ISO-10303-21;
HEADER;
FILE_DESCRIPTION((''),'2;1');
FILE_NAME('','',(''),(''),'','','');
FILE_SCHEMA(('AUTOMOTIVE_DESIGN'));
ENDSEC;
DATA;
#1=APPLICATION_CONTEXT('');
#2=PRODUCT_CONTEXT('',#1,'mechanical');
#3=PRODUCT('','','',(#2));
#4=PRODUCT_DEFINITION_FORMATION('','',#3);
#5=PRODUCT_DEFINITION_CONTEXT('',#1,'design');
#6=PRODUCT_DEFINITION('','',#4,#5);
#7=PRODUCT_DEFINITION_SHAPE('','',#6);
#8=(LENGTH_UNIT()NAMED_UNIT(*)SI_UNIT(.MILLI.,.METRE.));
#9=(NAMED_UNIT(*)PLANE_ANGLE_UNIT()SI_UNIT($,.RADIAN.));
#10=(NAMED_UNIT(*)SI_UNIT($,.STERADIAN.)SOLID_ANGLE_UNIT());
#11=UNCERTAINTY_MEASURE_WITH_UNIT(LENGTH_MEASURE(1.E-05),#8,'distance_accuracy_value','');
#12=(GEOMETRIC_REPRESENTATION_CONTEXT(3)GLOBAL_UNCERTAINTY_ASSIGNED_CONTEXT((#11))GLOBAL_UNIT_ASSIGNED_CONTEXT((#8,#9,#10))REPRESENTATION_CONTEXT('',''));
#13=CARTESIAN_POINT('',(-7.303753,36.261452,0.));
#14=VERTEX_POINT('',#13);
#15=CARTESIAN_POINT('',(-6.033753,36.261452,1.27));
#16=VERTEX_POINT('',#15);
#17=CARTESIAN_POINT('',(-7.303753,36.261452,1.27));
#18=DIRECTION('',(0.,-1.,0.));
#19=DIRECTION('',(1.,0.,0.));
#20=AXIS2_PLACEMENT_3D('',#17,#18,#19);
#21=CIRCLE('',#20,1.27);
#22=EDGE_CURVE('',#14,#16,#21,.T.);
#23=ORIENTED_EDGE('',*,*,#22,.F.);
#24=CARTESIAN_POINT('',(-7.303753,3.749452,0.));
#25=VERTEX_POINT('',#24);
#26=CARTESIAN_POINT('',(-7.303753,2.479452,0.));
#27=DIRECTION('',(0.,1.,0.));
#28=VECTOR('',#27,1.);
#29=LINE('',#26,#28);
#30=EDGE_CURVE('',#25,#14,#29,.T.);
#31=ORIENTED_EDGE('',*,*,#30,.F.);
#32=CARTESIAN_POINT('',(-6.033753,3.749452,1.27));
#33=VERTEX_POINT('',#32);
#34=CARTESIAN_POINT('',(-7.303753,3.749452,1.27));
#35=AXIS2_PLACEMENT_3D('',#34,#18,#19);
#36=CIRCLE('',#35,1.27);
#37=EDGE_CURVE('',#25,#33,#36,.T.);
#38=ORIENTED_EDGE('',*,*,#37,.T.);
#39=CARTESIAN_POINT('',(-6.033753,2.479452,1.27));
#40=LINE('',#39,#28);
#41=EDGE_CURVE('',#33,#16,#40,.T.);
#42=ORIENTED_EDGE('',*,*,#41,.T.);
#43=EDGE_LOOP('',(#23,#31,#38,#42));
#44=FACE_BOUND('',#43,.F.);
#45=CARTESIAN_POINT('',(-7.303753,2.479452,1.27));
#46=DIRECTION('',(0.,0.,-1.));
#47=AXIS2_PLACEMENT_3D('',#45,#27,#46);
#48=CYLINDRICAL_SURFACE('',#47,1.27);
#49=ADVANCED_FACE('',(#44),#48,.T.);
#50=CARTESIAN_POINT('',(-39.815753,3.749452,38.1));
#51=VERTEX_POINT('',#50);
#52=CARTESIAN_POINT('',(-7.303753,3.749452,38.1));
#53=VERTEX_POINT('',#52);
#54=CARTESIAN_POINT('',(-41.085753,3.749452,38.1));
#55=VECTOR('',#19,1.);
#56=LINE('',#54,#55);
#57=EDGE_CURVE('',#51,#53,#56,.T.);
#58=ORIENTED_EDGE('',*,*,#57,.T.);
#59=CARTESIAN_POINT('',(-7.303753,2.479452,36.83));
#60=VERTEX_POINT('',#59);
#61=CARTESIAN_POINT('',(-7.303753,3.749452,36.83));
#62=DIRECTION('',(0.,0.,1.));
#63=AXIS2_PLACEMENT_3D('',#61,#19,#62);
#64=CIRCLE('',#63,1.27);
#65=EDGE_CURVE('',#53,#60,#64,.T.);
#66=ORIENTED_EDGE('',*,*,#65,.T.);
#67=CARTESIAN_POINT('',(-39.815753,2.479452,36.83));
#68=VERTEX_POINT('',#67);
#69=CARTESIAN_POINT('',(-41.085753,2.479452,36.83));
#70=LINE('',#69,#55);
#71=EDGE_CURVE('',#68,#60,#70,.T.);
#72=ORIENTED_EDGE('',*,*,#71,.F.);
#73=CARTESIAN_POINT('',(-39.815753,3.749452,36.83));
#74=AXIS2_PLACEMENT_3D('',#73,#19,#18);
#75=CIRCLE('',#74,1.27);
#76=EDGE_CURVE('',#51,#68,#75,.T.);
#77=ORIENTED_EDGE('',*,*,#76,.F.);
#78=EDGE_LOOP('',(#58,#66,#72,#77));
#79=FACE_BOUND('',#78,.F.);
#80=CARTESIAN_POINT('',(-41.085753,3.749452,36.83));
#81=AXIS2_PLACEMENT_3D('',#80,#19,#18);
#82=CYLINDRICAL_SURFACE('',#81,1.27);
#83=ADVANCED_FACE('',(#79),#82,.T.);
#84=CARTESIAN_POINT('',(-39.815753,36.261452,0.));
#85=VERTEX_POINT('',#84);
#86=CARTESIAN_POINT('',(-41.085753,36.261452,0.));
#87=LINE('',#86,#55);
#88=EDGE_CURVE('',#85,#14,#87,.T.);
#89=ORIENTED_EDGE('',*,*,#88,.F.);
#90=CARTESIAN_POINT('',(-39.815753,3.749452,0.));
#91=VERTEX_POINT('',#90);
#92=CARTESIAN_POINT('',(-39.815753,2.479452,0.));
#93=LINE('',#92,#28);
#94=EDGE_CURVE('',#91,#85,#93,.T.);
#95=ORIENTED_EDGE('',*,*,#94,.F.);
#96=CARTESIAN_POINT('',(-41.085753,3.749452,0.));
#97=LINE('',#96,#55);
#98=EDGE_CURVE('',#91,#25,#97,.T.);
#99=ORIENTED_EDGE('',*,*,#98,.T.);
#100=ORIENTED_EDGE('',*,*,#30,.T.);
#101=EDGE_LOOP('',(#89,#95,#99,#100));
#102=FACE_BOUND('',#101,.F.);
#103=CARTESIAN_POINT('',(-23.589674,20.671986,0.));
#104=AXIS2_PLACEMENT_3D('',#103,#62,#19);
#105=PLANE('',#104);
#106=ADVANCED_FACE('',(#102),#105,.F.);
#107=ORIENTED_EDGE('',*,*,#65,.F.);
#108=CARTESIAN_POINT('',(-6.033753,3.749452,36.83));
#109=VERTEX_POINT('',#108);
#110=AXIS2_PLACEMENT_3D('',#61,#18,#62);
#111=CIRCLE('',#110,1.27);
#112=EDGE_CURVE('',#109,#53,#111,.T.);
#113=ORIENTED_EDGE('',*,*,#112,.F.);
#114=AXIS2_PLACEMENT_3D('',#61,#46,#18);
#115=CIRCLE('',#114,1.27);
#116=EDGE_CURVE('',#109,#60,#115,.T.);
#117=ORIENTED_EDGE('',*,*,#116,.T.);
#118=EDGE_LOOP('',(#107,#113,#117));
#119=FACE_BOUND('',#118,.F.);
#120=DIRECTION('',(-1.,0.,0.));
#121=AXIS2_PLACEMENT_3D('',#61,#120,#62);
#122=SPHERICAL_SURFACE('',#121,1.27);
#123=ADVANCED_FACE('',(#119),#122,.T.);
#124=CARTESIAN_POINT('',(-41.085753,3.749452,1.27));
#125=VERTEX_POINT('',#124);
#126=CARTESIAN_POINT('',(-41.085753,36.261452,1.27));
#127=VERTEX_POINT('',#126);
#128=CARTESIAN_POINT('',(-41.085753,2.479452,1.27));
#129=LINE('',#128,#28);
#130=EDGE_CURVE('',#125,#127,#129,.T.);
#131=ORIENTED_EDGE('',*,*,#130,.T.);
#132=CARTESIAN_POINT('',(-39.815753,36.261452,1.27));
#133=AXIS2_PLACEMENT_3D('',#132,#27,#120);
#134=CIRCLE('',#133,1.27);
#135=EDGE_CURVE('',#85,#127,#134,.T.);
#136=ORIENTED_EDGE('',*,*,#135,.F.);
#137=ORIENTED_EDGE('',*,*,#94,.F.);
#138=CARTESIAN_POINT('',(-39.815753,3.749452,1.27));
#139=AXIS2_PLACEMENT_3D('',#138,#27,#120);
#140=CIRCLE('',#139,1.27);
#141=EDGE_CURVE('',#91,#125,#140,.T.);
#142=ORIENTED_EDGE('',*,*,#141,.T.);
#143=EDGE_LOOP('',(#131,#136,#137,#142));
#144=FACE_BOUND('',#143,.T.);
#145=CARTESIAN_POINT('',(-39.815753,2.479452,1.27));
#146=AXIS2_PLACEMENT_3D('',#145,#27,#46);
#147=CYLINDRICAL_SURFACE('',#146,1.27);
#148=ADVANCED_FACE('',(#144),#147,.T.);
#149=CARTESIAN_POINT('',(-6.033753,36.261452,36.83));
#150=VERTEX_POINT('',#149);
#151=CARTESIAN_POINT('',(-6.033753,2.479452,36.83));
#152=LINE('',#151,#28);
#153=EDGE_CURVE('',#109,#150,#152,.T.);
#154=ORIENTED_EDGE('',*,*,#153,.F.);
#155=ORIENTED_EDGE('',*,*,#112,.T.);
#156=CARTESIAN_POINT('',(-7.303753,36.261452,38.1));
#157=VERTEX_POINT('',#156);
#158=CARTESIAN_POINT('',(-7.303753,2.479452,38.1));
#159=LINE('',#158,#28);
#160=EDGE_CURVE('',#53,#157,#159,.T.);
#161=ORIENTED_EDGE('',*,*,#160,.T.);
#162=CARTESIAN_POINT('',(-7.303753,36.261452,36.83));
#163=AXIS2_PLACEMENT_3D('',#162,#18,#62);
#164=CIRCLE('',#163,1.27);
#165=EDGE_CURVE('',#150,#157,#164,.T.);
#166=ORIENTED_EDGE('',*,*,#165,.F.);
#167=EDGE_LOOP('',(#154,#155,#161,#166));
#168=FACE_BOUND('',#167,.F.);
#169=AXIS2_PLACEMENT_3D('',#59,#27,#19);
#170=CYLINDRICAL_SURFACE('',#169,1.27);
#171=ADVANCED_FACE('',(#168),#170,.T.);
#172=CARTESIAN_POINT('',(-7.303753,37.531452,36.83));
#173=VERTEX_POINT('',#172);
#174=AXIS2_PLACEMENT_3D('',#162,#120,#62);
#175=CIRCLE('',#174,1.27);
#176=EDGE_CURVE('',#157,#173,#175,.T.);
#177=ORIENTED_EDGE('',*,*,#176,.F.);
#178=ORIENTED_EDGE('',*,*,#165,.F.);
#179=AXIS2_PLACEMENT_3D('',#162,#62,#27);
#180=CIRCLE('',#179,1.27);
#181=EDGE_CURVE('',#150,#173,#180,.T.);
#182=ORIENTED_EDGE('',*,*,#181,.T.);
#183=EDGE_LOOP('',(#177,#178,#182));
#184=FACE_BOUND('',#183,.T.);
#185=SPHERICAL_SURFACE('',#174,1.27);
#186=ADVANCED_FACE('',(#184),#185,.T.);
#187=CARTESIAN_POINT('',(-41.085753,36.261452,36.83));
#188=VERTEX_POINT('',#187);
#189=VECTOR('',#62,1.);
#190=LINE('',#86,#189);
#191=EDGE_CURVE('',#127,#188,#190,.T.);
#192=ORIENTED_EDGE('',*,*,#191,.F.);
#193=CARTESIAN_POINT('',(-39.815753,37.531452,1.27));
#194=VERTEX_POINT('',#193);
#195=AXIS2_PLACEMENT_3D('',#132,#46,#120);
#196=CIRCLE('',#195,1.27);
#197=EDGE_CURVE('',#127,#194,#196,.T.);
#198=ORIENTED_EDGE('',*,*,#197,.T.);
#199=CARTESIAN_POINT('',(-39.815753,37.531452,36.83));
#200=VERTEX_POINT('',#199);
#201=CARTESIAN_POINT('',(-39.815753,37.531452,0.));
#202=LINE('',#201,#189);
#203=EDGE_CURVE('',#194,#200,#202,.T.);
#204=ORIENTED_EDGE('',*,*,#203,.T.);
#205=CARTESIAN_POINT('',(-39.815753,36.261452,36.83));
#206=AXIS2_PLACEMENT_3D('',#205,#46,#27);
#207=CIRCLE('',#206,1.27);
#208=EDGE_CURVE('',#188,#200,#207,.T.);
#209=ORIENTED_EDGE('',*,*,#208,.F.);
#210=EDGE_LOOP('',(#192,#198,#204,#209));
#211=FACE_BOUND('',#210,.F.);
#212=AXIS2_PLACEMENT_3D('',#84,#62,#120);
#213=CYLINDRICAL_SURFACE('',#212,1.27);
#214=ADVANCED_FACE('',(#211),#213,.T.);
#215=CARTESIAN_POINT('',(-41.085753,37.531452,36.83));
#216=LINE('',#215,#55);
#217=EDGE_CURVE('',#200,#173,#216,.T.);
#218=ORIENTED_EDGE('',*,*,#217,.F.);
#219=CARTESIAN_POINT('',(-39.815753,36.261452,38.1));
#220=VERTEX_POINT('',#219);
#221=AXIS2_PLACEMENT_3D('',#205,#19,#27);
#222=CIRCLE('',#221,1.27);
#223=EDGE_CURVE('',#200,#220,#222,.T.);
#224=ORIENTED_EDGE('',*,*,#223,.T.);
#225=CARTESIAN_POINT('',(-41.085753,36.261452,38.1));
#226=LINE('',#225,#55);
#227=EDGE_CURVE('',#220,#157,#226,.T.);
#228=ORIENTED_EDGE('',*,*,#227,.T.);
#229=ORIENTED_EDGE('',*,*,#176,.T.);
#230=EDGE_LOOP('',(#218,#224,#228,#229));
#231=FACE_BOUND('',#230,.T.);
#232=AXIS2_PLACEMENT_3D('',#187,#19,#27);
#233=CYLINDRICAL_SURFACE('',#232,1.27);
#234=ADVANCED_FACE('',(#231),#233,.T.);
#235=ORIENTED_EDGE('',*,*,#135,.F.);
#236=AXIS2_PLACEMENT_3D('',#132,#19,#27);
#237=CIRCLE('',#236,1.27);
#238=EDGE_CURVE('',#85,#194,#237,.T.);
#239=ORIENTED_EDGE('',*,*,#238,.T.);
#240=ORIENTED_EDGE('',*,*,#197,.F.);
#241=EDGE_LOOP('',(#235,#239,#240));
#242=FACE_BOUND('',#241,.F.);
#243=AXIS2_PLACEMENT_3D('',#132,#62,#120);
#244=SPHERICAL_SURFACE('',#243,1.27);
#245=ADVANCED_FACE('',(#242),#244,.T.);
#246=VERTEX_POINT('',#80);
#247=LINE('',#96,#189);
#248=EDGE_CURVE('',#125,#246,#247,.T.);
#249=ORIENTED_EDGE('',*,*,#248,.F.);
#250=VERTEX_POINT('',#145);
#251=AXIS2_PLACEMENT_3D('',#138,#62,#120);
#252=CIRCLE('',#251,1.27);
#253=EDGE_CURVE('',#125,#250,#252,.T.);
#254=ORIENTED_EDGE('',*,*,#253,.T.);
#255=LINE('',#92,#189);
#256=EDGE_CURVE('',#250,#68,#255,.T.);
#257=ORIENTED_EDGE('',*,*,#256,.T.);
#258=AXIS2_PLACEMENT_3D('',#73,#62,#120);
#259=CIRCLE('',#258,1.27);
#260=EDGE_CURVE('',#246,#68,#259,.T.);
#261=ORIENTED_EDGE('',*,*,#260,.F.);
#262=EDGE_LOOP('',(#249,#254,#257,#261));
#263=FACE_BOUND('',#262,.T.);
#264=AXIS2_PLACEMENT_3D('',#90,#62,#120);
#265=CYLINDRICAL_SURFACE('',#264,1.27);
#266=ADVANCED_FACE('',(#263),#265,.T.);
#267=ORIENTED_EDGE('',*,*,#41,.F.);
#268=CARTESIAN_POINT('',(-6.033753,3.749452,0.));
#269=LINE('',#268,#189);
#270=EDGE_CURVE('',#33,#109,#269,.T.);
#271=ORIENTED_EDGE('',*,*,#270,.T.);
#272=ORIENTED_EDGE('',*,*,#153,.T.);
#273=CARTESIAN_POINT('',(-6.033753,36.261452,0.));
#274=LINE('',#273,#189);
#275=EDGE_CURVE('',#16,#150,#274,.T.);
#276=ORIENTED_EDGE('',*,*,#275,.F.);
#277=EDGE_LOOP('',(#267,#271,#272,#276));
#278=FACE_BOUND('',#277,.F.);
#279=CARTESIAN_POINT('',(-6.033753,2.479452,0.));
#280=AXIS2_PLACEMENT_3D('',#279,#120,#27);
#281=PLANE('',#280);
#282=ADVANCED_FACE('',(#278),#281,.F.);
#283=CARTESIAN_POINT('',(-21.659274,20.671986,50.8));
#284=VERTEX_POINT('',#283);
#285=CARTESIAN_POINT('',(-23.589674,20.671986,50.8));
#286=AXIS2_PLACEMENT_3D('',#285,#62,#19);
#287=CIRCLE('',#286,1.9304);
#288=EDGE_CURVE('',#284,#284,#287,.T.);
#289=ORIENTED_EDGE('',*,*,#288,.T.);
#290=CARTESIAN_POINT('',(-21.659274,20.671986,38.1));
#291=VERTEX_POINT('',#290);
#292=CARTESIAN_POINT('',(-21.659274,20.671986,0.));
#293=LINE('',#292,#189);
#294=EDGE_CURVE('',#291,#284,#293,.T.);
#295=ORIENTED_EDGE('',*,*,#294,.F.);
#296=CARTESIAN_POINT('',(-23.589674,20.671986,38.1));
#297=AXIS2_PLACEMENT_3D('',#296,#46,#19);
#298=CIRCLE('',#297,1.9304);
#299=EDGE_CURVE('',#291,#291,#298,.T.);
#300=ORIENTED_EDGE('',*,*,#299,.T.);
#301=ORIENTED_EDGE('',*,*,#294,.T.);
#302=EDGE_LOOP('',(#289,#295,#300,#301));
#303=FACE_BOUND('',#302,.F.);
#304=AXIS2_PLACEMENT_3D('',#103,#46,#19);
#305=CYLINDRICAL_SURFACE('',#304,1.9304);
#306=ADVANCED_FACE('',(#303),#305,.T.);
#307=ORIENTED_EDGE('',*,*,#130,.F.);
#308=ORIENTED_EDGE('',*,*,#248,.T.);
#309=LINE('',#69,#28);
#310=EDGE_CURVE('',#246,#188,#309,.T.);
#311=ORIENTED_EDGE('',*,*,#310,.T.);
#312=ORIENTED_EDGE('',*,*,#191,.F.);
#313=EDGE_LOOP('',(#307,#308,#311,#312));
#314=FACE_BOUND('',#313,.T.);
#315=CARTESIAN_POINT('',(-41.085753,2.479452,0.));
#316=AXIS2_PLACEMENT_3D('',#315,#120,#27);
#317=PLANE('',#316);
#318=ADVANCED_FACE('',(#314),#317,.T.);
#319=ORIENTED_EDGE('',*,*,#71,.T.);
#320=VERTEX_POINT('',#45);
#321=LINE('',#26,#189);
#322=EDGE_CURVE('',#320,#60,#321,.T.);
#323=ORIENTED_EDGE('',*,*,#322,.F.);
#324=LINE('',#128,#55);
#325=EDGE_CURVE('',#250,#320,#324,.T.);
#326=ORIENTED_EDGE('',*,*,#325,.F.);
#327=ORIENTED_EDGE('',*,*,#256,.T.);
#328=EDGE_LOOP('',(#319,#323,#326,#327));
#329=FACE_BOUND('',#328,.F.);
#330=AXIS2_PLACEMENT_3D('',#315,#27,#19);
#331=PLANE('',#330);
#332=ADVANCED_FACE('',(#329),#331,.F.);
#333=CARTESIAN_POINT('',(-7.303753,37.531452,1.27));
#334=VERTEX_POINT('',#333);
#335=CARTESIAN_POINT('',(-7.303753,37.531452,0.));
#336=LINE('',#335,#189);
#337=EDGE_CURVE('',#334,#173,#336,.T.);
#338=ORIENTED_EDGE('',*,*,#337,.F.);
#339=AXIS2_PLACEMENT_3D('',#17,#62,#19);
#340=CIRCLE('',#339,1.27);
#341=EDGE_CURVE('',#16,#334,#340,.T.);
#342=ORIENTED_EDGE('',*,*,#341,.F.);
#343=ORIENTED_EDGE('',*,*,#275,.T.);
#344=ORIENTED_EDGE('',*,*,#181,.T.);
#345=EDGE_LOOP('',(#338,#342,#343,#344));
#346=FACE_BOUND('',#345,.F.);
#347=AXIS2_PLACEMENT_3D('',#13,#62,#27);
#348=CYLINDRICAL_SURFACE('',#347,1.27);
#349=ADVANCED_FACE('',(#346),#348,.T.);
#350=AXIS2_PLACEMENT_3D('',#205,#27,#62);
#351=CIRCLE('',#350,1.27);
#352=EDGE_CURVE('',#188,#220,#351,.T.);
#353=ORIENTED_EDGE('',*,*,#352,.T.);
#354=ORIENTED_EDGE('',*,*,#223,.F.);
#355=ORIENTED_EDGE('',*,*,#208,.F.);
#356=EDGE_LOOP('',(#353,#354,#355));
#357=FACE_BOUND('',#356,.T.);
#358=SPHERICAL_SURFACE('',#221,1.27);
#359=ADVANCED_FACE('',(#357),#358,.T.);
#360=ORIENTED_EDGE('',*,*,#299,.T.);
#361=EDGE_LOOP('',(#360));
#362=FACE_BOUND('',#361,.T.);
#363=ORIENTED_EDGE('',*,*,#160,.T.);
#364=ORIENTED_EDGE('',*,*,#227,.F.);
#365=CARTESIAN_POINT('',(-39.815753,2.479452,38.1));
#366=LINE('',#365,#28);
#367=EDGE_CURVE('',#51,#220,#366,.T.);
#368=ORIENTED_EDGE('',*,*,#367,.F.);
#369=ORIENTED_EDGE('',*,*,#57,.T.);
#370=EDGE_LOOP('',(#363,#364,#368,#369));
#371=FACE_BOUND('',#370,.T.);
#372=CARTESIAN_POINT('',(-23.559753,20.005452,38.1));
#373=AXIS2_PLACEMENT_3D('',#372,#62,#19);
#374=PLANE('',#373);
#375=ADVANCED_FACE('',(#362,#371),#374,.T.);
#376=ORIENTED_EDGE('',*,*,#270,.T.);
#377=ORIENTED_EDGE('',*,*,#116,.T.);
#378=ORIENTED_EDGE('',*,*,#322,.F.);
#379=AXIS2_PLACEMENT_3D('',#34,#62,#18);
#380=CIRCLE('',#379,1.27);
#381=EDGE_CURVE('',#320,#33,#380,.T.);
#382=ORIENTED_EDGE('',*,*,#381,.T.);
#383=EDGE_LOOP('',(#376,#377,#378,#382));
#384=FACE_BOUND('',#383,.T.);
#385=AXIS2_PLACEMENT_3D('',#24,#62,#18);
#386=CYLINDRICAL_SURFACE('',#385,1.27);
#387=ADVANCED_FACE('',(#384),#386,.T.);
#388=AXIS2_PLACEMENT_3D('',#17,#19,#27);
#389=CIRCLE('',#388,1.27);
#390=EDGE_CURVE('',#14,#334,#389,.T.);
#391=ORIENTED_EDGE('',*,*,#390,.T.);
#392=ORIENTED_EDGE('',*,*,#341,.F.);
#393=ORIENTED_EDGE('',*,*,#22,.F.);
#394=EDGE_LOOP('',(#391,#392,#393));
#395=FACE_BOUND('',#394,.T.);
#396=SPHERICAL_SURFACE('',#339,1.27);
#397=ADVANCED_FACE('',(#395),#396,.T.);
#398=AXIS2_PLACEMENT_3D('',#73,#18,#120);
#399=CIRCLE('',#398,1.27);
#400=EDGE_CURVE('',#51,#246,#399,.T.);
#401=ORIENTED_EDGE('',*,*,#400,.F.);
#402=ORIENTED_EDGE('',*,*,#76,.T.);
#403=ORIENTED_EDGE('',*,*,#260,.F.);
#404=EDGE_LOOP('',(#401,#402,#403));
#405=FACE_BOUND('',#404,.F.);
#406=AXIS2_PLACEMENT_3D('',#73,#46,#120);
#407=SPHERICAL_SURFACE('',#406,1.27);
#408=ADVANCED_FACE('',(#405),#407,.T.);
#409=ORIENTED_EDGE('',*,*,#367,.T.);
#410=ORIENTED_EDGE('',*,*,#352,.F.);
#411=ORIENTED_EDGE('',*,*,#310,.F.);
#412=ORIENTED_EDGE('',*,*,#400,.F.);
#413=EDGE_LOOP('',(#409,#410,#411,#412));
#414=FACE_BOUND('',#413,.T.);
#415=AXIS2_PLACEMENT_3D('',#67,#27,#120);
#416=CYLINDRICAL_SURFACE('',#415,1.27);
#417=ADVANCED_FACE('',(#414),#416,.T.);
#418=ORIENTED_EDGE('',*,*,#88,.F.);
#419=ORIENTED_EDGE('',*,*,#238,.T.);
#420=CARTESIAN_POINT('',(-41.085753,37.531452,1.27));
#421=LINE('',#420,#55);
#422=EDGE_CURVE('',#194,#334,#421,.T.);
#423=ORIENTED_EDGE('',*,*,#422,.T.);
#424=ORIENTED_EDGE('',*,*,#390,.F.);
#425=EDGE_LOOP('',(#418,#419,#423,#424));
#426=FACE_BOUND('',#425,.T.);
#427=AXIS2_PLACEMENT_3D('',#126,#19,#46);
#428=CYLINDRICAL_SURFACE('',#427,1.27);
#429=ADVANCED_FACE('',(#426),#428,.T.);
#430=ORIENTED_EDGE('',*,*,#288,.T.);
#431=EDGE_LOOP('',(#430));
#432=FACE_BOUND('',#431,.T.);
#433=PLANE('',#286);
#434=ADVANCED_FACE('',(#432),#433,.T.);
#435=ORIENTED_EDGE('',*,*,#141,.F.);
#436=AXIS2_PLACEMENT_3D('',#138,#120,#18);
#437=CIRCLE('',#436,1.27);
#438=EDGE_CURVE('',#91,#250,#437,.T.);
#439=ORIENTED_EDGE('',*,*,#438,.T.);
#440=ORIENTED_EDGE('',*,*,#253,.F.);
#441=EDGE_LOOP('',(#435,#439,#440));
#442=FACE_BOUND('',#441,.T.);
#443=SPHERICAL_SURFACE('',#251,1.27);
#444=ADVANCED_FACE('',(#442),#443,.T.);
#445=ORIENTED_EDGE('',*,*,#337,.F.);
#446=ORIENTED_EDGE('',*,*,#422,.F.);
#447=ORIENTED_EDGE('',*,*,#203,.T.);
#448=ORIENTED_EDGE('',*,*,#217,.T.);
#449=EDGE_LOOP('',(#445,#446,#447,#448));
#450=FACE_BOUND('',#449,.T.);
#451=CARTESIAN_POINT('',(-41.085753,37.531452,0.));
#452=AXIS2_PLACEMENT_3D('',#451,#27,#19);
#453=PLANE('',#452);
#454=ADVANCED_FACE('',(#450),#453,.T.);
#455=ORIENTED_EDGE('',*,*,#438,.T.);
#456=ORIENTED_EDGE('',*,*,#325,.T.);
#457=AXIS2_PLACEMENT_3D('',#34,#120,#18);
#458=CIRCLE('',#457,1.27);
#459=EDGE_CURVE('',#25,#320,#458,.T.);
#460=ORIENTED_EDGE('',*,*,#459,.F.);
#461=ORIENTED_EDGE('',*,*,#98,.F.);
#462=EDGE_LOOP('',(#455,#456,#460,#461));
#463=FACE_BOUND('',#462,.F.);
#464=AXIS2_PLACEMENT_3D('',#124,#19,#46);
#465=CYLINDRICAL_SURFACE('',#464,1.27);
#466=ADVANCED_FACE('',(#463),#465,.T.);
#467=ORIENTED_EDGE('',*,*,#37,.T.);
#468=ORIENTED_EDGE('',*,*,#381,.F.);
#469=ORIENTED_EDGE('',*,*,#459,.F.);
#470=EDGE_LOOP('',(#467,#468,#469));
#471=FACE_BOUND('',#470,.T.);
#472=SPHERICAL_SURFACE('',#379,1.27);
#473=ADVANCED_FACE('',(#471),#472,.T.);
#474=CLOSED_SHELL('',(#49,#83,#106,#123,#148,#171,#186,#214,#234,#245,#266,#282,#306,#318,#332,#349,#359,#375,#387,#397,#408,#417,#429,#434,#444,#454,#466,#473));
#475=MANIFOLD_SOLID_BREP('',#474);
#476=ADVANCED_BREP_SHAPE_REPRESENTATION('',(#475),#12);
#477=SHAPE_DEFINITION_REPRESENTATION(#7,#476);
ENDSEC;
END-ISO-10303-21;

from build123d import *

# Parameters (mm, degrees)
F0_W     = 35.052
F0_H     = 35.052
F1_DEPTH = 38.1
F2_R     = 1.9304
F3_DEPTH = 50.8
F4_R     = 1.27


with BuildPart() as f1:
    # F0 (on Top) → F1 (new body)
    with BuildSketch(Plane.XY):
        with Locations((-23.559753, 20.005452)):
            Rectangle(F0_W, F0_H)
    extrude(amount=F1_DEPTH)

    # F2 (on Top) → F3 (join)
    with BuildSketch(Plane.XY):
        with Locations((-23.589674, 20.671986)):
            Circle(F2_R)
    extrude(amount=F3_DEPTH)

    # F4
    f4_edges = [f1.edges().sort_by_distance(p)[0] for p in [
        (-23.559753, 37.531452, 38.1),
        (-41.085753, 37.531452, 19.05),
        (-41.085753, 2.479452, 19.05),
        (-41.085753, 20.005452, 0),
        (-41.085753, 20.005452, 38.1),
        (-23.559753, 2.479452, 38.1),
        (-6.033753, 20.005452, 38.1),
        (-6.033753, 2.479452, 19.05),
        (-23.559753, 2.479452, 0),
        (-6.033753, 37.531452, 19.05),
        (-6.033753, 20.005452, 0),
        (-23.559753, 37.531452, 0),
    ]]
    fillet(f4_edges, radius=F4_R)


solid = f1.part
